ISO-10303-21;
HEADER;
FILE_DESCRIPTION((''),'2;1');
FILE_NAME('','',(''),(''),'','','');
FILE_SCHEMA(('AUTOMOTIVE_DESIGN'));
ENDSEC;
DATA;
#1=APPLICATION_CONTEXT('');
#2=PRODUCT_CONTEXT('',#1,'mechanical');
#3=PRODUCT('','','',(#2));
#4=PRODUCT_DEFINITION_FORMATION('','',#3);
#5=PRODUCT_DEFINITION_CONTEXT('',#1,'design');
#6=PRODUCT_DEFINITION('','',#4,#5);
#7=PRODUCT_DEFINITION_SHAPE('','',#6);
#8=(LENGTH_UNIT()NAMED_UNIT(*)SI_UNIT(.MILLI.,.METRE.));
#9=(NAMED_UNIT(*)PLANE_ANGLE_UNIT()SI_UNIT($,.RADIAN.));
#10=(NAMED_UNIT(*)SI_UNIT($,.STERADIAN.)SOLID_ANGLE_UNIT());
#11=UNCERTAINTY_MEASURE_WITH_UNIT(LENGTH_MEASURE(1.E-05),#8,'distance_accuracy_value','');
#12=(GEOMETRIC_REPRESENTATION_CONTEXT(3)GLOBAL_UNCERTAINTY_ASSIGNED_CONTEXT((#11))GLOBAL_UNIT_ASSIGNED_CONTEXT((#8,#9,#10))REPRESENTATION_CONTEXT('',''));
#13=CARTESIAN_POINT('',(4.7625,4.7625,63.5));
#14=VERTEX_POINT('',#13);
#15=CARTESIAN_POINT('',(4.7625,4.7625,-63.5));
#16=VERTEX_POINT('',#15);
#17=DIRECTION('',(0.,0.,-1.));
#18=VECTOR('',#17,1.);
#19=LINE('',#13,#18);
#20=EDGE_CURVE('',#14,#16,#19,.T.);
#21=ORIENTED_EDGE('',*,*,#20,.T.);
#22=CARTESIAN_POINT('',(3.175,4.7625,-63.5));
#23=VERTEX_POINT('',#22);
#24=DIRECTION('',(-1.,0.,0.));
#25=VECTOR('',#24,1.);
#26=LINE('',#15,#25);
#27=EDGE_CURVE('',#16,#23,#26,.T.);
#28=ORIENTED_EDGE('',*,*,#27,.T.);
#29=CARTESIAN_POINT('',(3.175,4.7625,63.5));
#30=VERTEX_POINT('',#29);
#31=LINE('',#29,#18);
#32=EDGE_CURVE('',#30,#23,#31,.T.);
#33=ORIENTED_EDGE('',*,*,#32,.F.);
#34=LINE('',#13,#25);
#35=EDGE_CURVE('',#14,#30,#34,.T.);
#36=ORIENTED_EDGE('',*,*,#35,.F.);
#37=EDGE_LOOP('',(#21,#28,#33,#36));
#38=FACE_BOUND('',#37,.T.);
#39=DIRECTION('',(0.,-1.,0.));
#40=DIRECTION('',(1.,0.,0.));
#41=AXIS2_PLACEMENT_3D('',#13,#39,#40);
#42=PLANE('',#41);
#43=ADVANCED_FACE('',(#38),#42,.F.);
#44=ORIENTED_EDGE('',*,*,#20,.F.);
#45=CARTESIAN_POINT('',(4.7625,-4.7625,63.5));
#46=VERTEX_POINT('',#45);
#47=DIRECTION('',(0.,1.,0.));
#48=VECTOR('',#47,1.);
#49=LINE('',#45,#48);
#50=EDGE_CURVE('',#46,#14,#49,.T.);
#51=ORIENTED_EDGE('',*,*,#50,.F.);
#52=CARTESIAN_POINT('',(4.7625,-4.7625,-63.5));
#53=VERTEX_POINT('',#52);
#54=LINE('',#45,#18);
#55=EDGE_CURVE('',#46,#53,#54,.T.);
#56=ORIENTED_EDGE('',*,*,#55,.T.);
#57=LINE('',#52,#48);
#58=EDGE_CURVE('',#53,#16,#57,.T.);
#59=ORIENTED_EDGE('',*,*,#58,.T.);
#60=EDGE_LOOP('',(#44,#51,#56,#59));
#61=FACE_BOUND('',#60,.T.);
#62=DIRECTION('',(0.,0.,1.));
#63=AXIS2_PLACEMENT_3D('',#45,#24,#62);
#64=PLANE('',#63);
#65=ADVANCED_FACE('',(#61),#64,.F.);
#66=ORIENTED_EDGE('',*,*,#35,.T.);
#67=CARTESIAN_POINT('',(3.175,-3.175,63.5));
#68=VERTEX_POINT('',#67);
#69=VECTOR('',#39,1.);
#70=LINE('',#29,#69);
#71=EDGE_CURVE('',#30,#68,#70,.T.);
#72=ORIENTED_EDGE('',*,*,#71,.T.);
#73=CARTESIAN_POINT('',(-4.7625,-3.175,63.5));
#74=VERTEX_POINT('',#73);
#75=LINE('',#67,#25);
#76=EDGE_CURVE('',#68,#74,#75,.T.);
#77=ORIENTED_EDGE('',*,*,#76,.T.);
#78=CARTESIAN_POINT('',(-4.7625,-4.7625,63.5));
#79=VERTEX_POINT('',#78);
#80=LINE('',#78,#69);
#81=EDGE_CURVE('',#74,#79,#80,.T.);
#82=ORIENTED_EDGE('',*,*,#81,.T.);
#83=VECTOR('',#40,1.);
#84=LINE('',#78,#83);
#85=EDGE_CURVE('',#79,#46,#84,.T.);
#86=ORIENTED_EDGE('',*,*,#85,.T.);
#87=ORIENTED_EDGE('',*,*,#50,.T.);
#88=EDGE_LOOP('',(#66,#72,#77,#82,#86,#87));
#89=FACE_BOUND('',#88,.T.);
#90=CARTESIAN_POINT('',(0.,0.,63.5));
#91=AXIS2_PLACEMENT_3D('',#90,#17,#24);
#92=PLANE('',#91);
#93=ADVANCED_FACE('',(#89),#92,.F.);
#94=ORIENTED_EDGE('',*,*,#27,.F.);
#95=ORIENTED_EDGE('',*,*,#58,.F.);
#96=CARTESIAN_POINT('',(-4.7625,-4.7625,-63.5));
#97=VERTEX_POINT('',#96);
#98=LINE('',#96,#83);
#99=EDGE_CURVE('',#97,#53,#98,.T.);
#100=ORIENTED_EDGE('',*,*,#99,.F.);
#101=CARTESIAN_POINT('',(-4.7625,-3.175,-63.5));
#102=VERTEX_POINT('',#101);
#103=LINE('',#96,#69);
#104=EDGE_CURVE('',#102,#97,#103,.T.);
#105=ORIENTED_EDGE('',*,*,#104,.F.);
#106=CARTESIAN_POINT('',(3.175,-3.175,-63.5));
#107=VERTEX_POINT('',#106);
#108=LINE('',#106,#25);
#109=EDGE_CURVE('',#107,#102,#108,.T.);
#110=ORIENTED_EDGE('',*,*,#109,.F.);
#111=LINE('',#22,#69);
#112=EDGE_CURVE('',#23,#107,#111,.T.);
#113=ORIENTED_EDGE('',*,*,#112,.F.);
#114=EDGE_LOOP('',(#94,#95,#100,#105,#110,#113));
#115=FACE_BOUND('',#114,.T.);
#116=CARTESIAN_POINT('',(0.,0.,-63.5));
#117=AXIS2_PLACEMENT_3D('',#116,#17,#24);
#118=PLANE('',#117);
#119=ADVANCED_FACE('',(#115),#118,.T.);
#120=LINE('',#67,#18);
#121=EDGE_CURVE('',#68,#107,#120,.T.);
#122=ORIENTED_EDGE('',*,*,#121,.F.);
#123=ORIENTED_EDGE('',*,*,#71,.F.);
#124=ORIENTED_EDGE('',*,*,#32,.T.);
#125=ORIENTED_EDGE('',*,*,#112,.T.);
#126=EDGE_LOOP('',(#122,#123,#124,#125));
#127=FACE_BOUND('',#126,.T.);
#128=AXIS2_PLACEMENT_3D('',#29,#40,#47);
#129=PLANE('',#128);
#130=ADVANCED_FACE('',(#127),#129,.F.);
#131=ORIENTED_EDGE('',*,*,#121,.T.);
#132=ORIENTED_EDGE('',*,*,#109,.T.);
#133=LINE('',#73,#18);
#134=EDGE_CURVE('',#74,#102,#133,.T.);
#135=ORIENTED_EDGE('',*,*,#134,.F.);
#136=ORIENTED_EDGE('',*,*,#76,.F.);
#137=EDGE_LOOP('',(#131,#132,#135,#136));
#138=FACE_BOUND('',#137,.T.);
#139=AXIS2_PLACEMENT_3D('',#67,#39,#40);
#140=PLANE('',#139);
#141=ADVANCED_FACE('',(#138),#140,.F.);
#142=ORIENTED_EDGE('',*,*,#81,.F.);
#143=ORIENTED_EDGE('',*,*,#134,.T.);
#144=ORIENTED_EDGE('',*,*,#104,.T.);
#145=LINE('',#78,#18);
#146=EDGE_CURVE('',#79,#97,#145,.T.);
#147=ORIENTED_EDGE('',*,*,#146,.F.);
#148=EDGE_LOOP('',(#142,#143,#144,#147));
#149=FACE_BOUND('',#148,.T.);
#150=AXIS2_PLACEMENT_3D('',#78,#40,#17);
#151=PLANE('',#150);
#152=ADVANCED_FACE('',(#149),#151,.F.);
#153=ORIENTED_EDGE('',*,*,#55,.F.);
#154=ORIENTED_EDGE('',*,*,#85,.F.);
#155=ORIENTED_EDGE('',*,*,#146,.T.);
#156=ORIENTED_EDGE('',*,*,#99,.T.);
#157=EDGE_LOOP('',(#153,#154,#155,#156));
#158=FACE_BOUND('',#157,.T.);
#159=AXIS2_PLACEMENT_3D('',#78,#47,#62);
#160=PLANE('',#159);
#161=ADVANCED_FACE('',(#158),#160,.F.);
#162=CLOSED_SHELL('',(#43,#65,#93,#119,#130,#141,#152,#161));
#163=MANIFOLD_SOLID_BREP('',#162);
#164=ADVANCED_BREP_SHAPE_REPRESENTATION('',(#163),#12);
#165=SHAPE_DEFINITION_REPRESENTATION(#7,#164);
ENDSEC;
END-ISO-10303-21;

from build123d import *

# Parameters (mm, degrees)
BOSS_EXTRUDE1_DEPTH = 63.5


with BuildPart() as part:
    # Sketch3 → Boss-Extrude1 (new body, symmetric)
    with BuildSketch(Plane.XY):
        Polygon((3.175, -3.175), (-4.7625, -3.175), (-4.7625, -4.7625), (4.7625, -4.7625), (4.7625, 4.7625), (3.175, 4.7625), align=None)
    extrude(amount=BOSS_EXTRUDE1_DEPTH, both=True)


solid = part.part
